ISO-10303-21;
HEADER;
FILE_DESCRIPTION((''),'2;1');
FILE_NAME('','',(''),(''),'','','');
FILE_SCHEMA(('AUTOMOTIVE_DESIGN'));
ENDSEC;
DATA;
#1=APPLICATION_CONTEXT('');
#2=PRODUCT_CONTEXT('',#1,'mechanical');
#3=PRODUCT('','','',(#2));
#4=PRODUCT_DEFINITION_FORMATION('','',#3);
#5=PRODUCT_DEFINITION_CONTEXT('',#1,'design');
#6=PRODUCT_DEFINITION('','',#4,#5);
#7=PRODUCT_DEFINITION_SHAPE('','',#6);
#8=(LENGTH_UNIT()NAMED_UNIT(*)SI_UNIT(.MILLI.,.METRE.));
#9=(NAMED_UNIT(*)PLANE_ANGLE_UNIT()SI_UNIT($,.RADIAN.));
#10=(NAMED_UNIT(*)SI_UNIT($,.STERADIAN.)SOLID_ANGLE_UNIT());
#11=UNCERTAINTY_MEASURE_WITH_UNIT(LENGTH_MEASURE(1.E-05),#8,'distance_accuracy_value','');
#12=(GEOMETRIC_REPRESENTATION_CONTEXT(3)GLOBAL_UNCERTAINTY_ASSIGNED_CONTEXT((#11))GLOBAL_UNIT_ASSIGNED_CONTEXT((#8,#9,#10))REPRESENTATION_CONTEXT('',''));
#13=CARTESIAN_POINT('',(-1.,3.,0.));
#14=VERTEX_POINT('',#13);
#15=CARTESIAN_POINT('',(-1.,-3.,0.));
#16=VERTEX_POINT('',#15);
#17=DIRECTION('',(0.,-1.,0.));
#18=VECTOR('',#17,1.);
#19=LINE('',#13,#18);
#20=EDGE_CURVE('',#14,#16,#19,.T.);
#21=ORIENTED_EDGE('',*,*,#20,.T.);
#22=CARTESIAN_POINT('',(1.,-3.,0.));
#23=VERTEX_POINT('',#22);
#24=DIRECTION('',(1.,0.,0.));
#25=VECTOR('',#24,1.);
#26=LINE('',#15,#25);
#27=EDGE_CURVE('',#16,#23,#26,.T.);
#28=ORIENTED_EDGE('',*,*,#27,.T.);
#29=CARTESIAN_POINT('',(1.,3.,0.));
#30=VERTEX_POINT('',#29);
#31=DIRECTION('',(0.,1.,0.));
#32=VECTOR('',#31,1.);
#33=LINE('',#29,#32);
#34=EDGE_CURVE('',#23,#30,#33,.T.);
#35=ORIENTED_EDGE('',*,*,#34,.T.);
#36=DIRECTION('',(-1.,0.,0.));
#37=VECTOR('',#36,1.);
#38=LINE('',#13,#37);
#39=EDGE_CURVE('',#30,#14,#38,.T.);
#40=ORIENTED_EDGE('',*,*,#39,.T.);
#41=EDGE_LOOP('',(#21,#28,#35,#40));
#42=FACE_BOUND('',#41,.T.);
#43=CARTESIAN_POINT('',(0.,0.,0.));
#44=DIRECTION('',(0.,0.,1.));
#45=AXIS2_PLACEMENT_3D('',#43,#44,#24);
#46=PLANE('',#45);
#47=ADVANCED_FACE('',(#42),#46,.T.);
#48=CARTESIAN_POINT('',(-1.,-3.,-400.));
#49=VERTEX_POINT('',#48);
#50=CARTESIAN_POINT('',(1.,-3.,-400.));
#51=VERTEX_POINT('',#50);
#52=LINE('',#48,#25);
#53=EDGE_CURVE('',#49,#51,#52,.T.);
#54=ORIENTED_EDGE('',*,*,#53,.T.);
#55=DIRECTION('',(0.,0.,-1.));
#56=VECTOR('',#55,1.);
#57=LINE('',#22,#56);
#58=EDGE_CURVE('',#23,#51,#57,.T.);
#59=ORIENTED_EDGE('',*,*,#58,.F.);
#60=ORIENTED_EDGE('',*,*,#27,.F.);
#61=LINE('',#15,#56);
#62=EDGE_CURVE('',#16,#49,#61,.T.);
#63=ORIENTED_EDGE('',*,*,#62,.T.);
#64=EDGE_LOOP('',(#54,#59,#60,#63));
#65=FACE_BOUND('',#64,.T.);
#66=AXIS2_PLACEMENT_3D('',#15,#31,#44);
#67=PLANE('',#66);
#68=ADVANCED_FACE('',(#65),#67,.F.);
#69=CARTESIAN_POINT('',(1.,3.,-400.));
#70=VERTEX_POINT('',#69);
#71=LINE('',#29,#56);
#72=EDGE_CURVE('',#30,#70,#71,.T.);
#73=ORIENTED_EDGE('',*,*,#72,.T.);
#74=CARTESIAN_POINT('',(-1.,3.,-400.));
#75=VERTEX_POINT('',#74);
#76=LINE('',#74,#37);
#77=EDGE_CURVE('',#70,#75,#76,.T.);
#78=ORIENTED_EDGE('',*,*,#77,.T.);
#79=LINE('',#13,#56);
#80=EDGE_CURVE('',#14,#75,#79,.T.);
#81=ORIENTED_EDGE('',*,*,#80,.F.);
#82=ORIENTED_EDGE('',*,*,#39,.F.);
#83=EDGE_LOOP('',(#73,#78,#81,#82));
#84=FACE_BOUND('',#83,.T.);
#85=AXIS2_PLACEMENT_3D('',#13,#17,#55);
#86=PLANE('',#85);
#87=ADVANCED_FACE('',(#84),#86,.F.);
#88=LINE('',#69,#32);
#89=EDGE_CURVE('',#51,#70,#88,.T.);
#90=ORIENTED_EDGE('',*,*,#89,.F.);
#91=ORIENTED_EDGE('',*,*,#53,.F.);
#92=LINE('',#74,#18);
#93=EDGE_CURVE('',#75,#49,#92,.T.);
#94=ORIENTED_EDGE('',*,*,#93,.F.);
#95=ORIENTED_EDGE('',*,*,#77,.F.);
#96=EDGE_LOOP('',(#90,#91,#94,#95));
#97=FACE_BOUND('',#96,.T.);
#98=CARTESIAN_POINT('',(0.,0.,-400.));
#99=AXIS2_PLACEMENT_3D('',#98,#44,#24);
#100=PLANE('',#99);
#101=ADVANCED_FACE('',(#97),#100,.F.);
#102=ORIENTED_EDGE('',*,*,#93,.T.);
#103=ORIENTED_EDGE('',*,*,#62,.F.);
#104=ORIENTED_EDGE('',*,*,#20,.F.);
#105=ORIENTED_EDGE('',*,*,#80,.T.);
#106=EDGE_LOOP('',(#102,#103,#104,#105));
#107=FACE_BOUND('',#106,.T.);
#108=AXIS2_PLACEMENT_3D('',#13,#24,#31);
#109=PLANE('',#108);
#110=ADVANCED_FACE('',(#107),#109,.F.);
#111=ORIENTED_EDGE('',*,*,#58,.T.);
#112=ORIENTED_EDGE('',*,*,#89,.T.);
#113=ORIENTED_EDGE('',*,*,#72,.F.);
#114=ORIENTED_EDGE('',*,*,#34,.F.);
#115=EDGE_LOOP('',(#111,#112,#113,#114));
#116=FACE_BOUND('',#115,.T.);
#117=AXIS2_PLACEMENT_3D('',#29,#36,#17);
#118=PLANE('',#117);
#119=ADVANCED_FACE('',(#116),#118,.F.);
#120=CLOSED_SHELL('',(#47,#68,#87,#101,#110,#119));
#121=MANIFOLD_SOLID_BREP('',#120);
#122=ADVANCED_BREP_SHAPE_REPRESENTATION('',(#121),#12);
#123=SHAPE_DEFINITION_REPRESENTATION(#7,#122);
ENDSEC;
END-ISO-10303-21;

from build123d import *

# Parameters (mm, degrees)
ESBO_O1_W = 2
ESBO_O1_H = 6


with BuildPart() as part:
    # Varredura1: sweep along a path in Esboço2
    with BuildLine(Plane(origin=(0, 0, 0), x_dir=(1, 0, 0), z_dir=(0, 1, 0))) as varredura1_path:
        Line((0, 0), (0, 400))
    # Esboço1 → Varredura1 (sweep)
    with BuildSketch(Plane.XY):
        Rectangle(ESBO_O1_W, ESBO_O1_H)
    sweep(path=varredura1_path.line)


solid = part.part
